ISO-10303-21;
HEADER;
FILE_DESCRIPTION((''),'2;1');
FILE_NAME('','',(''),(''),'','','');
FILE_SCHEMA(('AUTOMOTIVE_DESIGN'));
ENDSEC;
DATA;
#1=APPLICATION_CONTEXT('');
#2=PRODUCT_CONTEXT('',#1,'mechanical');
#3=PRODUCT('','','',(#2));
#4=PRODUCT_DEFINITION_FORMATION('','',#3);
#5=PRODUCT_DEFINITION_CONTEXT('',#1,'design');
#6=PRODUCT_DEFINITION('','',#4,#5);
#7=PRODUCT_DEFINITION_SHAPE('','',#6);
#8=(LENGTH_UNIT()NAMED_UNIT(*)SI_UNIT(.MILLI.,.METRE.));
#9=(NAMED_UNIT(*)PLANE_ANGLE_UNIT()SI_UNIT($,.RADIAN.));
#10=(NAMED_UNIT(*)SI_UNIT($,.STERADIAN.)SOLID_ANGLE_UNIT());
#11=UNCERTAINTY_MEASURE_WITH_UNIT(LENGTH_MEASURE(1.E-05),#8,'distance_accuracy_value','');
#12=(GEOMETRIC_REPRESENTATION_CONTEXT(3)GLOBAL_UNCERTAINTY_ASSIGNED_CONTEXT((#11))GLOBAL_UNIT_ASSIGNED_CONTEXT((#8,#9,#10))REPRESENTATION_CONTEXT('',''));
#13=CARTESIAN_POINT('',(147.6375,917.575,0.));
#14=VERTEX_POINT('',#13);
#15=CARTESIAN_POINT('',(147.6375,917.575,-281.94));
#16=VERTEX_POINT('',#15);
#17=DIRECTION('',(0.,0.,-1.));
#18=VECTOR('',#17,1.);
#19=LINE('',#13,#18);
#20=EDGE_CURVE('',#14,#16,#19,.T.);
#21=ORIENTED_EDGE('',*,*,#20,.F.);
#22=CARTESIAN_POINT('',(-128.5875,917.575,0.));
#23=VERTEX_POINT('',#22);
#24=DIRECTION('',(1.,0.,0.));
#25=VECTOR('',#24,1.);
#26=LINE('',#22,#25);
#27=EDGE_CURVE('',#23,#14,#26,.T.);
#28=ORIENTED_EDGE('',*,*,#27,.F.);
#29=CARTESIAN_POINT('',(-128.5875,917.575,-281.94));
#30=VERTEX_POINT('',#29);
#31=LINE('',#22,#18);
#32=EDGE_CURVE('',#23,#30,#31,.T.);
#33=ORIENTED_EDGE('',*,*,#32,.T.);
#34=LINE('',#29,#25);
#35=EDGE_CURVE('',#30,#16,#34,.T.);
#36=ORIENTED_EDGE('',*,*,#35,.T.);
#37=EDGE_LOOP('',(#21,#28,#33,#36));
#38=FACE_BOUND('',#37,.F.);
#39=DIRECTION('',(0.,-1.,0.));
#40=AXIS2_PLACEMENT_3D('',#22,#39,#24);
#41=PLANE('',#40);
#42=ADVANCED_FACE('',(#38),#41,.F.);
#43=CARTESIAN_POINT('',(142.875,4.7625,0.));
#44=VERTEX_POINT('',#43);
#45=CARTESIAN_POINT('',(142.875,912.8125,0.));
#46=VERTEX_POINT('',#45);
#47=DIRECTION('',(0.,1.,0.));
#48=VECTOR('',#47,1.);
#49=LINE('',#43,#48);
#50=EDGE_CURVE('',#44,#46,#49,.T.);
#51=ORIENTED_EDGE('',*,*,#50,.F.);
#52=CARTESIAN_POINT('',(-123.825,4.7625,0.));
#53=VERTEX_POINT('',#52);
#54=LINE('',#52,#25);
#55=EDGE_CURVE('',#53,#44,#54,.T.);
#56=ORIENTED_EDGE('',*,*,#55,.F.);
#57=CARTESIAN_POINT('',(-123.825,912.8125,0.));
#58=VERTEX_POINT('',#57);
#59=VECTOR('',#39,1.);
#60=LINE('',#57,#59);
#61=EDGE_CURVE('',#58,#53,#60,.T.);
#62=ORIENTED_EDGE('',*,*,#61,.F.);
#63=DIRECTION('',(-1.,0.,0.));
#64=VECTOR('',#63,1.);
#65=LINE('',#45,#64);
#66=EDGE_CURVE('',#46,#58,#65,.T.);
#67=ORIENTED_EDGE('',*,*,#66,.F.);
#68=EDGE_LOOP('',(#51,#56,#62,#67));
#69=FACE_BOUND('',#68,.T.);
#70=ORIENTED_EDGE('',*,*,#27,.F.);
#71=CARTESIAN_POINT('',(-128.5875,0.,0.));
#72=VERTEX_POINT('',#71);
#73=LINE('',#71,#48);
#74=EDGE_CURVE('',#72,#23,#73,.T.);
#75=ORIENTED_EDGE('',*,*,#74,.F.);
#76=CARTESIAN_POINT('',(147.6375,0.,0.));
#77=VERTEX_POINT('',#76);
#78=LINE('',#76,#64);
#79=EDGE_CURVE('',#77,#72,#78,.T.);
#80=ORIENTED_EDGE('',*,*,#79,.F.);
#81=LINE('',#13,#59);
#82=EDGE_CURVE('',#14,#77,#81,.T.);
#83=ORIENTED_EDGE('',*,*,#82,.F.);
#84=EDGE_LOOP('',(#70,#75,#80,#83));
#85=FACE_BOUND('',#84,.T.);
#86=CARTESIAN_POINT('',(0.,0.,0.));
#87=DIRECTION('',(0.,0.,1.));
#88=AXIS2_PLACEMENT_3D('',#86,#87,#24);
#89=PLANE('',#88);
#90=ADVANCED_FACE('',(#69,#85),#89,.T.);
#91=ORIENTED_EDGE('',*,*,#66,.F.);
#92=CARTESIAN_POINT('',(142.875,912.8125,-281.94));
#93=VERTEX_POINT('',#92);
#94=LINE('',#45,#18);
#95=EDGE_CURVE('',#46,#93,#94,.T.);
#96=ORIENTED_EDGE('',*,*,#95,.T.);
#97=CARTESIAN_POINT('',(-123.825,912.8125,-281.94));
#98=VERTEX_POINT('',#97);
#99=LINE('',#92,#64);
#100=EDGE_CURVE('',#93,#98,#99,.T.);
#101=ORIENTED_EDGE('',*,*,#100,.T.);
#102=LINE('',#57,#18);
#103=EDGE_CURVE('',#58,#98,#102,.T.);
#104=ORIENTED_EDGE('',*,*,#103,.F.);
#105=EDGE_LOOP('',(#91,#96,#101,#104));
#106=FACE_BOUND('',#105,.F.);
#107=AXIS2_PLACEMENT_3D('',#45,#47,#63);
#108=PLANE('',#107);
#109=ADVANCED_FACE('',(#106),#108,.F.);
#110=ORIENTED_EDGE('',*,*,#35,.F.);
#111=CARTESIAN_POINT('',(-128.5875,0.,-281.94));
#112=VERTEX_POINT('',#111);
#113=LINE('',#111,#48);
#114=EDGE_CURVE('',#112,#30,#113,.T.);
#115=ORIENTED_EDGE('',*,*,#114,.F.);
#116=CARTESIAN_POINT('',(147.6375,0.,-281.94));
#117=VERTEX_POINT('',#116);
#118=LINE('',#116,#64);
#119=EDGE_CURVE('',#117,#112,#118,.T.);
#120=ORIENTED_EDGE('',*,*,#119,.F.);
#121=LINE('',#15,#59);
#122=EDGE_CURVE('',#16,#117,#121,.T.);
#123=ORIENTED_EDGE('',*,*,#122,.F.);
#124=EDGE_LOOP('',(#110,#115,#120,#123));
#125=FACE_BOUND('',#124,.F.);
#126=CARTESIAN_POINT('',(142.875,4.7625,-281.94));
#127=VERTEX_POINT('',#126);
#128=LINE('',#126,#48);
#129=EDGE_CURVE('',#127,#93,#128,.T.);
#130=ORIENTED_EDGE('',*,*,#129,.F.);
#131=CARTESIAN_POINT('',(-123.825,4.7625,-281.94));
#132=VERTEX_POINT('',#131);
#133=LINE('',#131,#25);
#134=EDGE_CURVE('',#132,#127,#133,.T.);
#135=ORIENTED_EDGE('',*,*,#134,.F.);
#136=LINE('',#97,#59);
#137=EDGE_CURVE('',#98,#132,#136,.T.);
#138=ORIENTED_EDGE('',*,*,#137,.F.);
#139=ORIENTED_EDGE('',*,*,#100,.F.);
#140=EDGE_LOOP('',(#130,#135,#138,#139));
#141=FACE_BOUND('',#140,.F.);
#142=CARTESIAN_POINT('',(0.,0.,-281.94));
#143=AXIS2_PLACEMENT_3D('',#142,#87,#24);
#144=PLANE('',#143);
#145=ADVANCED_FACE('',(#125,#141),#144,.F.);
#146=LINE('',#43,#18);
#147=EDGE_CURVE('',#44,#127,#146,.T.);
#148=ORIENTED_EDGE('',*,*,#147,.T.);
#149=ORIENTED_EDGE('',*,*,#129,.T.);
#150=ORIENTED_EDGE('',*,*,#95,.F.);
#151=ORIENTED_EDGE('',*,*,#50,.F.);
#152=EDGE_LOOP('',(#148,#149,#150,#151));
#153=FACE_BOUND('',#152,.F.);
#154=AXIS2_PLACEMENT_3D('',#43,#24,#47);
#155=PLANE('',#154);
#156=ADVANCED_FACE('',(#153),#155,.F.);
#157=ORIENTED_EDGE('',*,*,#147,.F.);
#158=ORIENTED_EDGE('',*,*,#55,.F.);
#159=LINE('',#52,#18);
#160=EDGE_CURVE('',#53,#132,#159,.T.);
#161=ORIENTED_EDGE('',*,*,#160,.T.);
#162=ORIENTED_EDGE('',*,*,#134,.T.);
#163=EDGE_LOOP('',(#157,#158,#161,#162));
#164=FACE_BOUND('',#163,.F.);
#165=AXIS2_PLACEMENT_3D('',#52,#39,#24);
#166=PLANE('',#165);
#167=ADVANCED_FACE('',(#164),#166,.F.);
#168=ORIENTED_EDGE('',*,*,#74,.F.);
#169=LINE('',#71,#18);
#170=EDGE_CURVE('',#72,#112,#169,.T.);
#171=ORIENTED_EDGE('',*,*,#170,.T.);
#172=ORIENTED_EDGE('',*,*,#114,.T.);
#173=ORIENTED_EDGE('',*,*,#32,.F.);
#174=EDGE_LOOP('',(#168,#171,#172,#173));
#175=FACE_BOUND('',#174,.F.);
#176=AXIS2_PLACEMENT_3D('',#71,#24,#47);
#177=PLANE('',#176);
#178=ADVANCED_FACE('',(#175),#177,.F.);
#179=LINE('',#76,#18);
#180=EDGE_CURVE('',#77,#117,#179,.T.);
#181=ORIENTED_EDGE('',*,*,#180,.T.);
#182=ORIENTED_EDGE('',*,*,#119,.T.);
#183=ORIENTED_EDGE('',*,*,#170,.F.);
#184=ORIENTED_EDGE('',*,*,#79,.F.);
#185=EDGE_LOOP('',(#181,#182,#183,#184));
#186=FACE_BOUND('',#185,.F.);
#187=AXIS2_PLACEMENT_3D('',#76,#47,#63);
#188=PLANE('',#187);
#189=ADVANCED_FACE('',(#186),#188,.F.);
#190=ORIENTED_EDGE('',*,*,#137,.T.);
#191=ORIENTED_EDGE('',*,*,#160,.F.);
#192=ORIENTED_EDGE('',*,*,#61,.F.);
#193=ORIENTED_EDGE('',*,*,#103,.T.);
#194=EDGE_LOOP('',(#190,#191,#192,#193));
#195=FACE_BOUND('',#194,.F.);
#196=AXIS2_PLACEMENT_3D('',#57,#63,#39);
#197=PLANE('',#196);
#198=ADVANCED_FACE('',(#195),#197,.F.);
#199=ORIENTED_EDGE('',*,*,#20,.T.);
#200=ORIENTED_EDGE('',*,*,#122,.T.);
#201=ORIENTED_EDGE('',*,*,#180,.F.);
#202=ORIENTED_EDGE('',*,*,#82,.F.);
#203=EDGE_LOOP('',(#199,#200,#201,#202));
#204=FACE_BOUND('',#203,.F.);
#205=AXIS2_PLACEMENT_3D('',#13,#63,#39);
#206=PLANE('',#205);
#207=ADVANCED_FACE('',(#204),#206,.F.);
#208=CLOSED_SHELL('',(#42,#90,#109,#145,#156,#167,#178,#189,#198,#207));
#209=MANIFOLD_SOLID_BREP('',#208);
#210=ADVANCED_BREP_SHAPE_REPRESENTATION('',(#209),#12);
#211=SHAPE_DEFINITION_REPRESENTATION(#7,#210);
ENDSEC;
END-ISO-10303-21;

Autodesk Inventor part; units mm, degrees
ref_plane "YZ Plane" through (0, 0, 0) normal (1, 0, 0) x (0, 1, 0)
ref_plane "XZ Plane" through (0, 0, 0) normal (0, 1, 0) x (-1, 0, 0)
ref_plane "XY Plane" through (0, 0, 0) normal (0, 0, 1) x (1, 0, 0)
sketch "Sketch1" plane through (0, 0, 0) normal (0, 0, 1) x (1, 0, 0)
  line L0 (147.6375, 0) -> (-128.5875, 0)
  line L1 (-128.5875, 0) -> (-128.5875, 917.575)
  line L2 (-128.5875, 917.575) -> (147.6375, 917.575)
  line L3 (147.6375, 917.575) -> (147.6375, 0)
  line L4 (142.875, 912.8125) -> (-123.825, 912.8125)
  line L5 (-123.825, 912.8125) -> (-123.825, 4.7625)
  line L6 (-123.825, 4.7625) -> (142.875, 4.7625)
  line L7 (142.875, 4.7625) -> (142.875, 912.8125)
  point P0 (0, 0)
extrude "Extrusion1" add sketch "Sketch1" against normal blind 281.94
properties part number "uv environment" material "PMMA Plastic"
